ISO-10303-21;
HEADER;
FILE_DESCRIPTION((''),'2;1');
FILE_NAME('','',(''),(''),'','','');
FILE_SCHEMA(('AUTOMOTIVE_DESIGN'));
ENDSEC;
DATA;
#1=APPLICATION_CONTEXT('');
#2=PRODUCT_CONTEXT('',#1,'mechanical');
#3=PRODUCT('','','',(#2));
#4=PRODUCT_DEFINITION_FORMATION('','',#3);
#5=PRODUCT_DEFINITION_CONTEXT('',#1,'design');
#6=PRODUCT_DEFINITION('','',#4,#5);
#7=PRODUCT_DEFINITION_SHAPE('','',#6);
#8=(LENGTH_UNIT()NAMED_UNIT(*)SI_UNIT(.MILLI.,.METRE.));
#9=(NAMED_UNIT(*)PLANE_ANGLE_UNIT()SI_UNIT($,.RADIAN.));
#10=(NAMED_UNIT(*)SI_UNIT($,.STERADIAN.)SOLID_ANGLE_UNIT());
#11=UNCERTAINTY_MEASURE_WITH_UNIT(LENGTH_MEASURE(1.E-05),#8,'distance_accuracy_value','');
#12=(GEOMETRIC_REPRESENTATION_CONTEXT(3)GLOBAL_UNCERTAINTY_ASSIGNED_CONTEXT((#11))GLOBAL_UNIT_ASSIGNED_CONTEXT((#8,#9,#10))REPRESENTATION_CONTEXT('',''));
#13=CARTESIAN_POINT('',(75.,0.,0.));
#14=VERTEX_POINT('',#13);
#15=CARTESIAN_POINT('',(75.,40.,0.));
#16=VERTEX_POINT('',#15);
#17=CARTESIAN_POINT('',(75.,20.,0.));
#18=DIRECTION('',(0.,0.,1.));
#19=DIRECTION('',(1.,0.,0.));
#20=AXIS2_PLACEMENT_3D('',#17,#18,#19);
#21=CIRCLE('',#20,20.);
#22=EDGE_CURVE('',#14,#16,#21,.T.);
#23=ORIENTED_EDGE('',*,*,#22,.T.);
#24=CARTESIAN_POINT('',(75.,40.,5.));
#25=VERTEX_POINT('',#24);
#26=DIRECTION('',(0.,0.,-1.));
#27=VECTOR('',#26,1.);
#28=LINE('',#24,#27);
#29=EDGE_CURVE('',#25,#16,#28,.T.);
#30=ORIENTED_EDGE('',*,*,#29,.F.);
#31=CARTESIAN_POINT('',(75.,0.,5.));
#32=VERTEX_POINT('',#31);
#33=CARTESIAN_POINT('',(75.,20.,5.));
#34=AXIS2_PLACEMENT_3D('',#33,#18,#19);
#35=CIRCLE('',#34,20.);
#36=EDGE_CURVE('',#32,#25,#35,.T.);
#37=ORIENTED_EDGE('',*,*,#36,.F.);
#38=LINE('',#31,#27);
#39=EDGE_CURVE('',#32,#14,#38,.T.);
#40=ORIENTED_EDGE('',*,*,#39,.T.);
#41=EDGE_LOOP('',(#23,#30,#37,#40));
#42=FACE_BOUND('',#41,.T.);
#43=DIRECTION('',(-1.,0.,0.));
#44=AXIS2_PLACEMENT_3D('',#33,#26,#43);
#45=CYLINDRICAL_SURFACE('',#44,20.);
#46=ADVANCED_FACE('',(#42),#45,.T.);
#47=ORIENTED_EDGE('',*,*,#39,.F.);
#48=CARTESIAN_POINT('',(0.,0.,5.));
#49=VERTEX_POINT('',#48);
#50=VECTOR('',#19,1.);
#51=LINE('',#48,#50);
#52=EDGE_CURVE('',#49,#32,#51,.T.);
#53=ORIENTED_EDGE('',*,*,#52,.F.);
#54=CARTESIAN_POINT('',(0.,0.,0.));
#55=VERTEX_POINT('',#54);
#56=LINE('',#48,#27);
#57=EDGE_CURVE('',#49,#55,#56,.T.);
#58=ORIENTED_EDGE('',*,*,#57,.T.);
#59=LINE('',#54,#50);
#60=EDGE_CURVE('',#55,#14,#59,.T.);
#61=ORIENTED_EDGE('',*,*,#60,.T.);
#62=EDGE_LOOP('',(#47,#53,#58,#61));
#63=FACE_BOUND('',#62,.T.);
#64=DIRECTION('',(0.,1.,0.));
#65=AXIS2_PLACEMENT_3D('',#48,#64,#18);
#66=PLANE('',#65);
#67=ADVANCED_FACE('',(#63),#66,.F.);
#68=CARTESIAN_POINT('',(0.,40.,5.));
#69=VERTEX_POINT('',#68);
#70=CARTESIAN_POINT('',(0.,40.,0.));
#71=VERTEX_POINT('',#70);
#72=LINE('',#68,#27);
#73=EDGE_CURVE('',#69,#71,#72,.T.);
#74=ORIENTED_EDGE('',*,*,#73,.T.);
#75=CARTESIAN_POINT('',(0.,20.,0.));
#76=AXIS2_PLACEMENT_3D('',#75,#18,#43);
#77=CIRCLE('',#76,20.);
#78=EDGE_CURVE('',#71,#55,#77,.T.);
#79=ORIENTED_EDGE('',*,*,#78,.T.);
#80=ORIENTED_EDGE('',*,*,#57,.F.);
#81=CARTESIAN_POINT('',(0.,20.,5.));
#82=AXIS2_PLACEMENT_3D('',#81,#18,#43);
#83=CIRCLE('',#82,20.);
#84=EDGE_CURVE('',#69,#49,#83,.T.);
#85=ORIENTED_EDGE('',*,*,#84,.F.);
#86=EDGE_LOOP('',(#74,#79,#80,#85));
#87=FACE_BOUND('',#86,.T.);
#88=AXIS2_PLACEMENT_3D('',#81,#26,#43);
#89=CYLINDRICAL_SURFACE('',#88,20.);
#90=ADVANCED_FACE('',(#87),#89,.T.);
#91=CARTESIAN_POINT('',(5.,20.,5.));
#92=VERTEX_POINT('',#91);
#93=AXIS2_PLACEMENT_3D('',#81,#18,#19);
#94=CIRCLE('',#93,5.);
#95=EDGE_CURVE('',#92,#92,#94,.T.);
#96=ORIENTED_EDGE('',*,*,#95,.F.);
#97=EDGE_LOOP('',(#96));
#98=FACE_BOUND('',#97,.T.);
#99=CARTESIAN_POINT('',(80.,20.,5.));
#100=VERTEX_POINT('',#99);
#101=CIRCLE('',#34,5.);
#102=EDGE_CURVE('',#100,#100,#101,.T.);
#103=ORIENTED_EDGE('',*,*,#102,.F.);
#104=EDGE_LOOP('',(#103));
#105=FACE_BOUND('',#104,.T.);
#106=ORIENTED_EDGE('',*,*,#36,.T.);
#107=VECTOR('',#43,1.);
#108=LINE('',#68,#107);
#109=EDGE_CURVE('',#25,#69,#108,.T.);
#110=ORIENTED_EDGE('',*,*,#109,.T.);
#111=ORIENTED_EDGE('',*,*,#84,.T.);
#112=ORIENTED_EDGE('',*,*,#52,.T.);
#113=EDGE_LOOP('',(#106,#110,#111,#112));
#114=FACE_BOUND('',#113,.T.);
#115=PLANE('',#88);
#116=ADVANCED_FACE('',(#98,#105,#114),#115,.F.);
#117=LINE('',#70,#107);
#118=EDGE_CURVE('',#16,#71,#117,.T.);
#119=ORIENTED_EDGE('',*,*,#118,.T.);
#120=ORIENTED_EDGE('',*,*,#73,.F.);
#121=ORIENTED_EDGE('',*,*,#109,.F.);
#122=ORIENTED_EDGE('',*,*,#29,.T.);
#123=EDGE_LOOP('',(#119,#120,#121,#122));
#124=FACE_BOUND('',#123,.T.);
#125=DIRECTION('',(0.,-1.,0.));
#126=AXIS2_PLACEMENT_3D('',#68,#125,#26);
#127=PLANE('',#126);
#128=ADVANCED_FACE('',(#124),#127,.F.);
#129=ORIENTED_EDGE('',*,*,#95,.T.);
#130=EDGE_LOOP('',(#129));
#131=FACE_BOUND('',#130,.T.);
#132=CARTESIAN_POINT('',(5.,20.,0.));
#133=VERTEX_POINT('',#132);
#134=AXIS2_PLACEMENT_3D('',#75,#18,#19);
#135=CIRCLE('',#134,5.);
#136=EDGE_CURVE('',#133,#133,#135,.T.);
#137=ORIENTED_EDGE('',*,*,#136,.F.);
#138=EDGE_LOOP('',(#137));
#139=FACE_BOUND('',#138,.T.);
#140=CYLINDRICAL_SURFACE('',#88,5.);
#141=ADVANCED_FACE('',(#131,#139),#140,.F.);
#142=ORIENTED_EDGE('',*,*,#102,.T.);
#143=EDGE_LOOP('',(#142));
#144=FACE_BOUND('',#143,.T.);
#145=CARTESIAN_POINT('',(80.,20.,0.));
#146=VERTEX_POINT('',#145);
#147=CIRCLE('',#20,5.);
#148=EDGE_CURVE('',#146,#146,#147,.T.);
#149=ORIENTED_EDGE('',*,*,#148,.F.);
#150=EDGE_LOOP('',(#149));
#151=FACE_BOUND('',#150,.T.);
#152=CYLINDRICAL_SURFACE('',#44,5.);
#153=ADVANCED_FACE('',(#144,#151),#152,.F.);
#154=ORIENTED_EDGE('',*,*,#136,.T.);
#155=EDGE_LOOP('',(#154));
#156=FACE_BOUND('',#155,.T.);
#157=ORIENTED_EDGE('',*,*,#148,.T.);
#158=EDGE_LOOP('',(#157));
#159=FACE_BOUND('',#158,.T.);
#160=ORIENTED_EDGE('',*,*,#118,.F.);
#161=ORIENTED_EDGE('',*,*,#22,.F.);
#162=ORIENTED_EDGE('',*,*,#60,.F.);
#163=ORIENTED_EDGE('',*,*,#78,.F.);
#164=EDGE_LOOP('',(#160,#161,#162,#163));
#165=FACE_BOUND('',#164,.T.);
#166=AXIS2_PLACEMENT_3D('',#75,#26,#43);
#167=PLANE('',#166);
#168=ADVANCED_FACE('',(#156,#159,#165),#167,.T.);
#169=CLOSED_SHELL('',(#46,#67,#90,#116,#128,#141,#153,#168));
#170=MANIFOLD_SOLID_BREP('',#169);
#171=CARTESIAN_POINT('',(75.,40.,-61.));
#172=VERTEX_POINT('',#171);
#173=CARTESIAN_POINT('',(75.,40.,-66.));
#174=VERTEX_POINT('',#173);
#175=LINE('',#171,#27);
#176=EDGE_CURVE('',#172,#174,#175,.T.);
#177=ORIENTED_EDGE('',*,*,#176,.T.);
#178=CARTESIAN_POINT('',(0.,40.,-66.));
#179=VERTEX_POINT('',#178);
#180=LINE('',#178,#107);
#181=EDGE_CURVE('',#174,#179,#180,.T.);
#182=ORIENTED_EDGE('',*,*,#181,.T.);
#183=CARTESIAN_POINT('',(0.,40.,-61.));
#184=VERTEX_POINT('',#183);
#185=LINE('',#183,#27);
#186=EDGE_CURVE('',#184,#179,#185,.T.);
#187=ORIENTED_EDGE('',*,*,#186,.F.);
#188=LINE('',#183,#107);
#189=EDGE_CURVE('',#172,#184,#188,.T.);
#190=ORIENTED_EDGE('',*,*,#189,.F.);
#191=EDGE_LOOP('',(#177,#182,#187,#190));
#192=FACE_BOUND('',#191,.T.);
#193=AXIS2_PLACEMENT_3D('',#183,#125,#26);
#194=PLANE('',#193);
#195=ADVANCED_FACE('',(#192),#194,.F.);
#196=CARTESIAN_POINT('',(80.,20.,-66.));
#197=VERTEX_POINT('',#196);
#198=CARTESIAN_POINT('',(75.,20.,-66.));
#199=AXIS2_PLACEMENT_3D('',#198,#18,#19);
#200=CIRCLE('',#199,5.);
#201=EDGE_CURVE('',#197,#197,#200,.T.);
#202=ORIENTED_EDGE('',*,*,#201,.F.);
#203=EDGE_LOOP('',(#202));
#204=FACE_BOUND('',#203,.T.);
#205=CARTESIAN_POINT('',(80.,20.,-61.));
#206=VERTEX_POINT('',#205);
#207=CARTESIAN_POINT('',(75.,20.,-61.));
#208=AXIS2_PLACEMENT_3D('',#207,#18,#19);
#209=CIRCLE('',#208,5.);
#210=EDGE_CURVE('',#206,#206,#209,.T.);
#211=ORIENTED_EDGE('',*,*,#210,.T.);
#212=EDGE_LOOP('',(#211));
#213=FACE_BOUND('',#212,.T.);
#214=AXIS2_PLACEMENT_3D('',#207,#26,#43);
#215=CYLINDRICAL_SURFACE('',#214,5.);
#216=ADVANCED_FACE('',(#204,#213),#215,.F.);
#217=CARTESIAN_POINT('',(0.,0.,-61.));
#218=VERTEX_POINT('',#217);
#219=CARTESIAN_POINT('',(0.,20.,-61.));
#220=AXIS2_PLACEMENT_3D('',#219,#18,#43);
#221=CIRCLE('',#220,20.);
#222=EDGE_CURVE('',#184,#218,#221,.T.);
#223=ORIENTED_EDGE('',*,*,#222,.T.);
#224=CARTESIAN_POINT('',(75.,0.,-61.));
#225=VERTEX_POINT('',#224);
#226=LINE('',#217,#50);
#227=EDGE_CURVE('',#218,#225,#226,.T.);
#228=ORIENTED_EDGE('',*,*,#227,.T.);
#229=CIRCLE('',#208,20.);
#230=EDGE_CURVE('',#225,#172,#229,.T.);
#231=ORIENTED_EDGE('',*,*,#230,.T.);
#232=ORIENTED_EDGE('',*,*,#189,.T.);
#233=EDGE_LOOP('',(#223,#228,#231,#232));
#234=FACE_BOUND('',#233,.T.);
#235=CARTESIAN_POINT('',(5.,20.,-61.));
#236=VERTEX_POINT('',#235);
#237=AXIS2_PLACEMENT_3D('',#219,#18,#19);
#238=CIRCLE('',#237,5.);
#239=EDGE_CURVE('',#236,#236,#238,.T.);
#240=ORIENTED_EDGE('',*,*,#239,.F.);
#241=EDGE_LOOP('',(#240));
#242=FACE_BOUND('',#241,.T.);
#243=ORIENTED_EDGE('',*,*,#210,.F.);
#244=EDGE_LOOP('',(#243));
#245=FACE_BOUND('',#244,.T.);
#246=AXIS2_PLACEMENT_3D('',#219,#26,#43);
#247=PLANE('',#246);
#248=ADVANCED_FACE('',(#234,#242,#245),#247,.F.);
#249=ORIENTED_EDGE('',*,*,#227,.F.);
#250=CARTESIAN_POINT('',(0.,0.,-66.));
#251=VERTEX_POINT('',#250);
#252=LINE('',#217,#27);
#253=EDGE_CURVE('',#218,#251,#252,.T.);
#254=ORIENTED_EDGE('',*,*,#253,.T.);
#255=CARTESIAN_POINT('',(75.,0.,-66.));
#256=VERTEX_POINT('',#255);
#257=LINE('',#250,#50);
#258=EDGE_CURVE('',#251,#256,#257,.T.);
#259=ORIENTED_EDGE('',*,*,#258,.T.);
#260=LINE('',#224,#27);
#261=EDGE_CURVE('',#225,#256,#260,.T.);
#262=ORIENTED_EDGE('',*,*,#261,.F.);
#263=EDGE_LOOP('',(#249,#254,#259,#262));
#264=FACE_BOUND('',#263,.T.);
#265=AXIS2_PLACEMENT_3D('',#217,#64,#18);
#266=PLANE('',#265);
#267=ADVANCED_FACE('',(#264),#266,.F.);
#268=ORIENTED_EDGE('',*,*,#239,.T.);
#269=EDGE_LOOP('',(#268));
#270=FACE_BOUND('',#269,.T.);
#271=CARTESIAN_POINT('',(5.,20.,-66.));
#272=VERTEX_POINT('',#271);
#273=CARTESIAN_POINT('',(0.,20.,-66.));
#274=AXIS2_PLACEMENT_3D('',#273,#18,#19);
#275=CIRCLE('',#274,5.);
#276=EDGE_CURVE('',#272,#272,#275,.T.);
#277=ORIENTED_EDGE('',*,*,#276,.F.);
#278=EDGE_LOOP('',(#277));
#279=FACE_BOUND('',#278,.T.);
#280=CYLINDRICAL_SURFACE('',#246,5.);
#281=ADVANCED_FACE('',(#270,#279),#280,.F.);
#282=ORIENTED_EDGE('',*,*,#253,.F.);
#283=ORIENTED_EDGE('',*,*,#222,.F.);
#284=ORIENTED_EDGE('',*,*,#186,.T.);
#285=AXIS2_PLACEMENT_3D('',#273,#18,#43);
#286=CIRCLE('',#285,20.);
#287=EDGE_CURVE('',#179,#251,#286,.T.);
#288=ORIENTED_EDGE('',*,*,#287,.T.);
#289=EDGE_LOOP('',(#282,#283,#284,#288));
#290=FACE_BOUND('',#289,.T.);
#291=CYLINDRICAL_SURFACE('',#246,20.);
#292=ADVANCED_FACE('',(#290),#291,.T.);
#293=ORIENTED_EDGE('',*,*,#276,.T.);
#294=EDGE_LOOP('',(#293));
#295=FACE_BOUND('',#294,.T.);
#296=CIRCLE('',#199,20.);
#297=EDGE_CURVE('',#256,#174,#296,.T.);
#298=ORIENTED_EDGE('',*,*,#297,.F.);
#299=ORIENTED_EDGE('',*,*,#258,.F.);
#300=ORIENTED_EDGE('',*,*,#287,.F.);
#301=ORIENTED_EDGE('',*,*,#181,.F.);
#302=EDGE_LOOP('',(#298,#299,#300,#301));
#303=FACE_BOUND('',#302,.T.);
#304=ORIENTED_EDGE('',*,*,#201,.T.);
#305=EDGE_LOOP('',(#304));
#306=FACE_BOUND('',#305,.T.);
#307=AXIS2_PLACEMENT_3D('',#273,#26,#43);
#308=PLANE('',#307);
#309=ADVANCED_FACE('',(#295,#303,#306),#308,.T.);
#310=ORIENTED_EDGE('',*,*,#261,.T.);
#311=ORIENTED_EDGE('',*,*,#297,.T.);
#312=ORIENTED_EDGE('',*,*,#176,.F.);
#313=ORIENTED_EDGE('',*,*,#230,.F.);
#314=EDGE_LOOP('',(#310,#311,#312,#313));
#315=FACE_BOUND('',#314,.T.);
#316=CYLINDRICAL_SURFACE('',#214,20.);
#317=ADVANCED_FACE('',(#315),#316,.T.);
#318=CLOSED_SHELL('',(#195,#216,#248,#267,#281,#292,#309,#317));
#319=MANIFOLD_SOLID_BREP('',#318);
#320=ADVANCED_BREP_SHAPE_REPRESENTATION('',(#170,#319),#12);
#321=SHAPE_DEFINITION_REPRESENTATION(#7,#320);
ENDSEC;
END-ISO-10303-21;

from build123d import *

# Parameters (mm, degrees)
ESQUISSE1_R                = 5
BOSS_EXTRU_1_DEPTH         = 5
R_P_TITION_LIN_AIRE1_COUNT = 2
R_P_TITION_LIN_AIRE1_PITCH = 66


with BuildPart() as part:
    # Esquisse1 → Boss.-Extru.1 (new body)
    with BuildSketch(Plane.XY):
        with BuildLine():
            Line((0, 0), (75, 0))
            ThreePointArc((75, 0), (95, 20), (75, 40))
            Line((75, 40), (0, 40))
            ThreePointArc((0, 40), (-20, 20), (0, 0))
        make_face()
        with Locations((0, 20)):
            Circle(ESQUISSE1_R, mode=Mode.SUBTRACT)
        with Locations((75, 20)):
            Circle(ESQUISSE1_R, mode=Mode.SUBTRACT)
    extrude(amount=BOSS_EXTRU_1_DEPTH)


with BuildPart() as r_p_tition_lin_aire1_1:
    # Répétition linéaire1: pattern copy
    add(part.part.moved(Location(Vector(0, 0, -1) * (1 * R_P_TITION_LIN_AIRE1_PITCH))))


solid = Compound([part.part, r_p_tition_lin_aire1_1.part])
